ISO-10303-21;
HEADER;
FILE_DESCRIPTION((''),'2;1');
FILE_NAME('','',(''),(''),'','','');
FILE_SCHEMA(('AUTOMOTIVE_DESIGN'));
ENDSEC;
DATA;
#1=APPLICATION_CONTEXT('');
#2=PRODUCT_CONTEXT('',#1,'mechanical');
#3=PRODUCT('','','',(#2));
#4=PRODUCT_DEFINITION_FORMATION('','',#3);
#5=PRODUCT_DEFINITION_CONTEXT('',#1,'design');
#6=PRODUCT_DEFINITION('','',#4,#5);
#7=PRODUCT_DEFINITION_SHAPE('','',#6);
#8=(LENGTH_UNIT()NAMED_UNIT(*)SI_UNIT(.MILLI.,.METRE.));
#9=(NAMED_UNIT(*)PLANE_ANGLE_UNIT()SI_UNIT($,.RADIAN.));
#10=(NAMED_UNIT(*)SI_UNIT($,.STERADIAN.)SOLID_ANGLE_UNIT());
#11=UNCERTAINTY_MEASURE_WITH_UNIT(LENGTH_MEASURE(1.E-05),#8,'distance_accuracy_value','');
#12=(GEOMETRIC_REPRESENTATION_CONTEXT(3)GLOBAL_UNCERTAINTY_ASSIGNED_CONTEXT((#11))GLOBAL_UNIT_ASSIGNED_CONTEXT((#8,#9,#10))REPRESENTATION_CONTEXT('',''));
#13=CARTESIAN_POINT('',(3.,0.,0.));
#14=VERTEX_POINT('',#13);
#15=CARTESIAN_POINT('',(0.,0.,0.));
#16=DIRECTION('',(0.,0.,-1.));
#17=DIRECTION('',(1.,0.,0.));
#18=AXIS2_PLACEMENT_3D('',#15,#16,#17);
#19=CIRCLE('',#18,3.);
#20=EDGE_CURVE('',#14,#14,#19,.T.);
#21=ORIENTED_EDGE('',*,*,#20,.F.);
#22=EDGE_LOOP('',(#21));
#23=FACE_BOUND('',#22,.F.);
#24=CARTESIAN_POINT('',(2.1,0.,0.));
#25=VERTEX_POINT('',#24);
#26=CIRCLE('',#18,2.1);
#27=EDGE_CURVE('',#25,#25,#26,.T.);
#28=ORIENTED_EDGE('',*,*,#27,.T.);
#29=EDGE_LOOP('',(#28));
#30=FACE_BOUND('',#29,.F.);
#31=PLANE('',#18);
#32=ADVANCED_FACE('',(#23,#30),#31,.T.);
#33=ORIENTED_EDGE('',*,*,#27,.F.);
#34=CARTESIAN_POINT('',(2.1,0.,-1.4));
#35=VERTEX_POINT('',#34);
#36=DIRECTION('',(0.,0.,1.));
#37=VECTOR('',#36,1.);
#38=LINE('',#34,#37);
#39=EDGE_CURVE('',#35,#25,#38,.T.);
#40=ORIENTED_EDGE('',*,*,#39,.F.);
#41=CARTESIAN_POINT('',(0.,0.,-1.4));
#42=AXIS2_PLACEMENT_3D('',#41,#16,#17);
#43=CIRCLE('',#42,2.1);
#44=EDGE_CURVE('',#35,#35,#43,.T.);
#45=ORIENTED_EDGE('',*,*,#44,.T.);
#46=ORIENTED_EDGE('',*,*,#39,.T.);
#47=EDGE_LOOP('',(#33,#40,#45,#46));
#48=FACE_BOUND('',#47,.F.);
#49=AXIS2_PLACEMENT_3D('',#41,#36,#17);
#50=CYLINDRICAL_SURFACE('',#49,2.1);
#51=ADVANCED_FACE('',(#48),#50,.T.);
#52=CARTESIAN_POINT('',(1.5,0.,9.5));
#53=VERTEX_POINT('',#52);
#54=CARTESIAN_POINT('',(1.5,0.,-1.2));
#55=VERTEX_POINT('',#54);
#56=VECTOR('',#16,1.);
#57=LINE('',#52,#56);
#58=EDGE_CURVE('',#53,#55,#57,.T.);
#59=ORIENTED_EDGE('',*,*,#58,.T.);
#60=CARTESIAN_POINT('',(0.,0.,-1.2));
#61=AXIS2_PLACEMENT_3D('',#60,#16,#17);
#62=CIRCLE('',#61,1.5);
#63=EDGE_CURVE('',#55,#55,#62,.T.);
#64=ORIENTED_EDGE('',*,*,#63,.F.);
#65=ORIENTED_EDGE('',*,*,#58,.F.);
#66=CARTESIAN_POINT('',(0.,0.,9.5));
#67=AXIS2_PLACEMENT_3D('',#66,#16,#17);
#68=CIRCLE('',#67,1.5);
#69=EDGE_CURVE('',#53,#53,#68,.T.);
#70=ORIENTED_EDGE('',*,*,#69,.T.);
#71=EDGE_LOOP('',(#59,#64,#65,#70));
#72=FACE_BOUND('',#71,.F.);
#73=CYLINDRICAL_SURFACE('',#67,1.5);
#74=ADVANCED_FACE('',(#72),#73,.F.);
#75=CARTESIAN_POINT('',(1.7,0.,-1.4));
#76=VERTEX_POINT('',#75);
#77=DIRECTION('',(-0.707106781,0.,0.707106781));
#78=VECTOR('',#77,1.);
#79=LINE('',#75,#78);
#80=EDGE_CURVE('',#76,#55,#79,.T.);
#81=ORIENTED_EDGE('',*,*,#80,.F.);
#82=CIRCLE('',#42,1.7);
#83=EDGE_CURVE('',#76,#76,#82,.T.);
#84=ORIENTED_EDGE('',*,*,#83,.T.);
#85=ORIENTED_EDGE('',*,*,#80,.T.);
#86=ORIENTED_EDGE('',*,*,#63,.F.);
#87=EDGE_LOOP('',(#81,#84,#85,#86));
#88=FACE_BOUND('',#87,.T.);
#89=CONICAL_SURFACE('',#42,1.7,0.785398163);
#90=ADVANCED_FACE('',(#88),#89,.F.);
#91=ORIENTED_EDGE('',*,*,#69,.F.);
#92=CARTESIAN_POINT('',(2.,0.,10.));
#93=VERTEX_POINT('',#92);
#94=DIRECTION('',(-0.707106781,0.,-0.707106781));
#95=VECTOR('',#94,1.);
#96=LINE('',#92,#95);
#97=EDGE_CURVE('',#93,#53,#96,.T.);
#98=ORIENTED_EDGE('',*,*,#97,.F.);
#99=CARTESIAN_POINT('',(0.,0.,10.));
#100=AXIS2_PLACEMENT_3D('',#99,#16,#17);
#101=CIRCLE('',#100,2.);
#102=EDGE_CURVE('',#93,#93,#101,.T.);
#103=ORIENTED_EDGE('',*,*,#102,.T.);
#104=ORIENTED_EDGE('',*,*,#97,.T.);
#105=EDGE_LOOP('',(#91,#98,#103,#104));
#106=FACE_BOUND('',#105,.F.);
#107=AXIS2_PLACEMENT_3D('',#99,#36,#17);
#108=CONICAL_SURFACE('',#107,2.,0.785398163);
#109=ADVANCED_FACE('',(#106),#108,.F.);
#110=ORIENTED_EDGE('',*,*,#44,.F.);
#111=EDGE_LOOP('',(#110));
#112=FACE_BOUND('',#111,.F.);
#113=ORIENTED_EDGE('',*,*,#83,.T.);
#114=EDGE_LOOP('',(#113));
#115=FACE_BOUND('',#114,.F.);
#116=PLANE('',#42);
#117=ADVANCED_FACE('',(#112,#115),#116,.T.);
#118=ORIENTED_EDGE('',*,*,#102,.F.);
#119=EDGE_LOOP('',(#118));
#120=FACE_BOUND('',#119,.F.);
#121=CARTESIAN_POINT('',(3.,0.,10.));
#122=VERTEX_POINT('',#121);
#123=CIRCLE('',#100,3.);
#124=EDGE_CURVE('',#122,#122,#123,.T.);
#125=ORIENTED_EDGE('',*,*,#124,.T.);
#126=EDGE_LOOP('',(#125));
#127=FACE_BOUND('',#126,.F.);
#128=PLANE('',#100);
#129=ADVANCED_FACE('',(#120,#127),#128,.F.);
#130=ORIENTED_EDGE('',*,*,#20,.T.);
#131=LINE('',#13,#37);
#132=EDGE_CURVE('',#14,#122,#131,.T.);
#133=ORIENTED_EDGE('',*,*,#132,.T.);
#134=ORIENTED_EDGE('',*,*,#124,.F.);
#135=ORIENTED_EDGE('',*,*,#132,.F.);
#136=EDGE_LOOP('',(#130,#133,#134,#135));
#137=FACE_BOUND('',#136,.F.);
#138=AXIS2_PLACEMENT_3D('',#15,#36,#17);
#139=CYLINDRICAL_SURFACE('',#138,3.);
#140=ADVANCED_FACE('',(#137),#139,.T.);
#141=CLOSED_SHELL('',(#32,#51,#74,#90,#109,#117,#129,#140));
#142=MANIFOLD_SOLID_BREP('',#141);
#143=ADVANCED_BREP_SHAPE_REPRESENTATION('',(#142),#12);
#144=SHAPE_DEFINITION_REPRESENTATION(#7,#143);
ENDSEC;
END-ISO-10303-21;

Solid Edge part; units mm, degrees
sketch "Sketch1" plane through (0, 0, 0) normal (0, -1, 0) x (1, 0, 0)
  line L0 (1.7, -1.4) -> (2.1, -1.4)
  line L1 (2.1, -1.4) -> (2.1, 0)
  line L2 (2.1, 0) -> (3, 0)
  line L3 (3, 0) -> (3, 10)
  line L4 (3, 10) -> (2, 10)
  line L5 (2, 10) -> (1.5, 9.5)
  line L6 (1.5, 9.5) -> (1.5, -1.2)
  line L7 (1.7, -1.4) -> (1.5, -1.2)
  dimension "D1" = 10
  dimension "D2" = 1.5
  dimension "D3" = 2.1
  dimension "D4" = 3
  dimension "D5" = 0.5
  dimension "D6" = 1.4
  dimension "D7" = 0.2
revolve "RevolvedProtrusion1" add sketch "Sketch1" angle 360 about axis through (0, 0, 54) along (0, 0, -1)
